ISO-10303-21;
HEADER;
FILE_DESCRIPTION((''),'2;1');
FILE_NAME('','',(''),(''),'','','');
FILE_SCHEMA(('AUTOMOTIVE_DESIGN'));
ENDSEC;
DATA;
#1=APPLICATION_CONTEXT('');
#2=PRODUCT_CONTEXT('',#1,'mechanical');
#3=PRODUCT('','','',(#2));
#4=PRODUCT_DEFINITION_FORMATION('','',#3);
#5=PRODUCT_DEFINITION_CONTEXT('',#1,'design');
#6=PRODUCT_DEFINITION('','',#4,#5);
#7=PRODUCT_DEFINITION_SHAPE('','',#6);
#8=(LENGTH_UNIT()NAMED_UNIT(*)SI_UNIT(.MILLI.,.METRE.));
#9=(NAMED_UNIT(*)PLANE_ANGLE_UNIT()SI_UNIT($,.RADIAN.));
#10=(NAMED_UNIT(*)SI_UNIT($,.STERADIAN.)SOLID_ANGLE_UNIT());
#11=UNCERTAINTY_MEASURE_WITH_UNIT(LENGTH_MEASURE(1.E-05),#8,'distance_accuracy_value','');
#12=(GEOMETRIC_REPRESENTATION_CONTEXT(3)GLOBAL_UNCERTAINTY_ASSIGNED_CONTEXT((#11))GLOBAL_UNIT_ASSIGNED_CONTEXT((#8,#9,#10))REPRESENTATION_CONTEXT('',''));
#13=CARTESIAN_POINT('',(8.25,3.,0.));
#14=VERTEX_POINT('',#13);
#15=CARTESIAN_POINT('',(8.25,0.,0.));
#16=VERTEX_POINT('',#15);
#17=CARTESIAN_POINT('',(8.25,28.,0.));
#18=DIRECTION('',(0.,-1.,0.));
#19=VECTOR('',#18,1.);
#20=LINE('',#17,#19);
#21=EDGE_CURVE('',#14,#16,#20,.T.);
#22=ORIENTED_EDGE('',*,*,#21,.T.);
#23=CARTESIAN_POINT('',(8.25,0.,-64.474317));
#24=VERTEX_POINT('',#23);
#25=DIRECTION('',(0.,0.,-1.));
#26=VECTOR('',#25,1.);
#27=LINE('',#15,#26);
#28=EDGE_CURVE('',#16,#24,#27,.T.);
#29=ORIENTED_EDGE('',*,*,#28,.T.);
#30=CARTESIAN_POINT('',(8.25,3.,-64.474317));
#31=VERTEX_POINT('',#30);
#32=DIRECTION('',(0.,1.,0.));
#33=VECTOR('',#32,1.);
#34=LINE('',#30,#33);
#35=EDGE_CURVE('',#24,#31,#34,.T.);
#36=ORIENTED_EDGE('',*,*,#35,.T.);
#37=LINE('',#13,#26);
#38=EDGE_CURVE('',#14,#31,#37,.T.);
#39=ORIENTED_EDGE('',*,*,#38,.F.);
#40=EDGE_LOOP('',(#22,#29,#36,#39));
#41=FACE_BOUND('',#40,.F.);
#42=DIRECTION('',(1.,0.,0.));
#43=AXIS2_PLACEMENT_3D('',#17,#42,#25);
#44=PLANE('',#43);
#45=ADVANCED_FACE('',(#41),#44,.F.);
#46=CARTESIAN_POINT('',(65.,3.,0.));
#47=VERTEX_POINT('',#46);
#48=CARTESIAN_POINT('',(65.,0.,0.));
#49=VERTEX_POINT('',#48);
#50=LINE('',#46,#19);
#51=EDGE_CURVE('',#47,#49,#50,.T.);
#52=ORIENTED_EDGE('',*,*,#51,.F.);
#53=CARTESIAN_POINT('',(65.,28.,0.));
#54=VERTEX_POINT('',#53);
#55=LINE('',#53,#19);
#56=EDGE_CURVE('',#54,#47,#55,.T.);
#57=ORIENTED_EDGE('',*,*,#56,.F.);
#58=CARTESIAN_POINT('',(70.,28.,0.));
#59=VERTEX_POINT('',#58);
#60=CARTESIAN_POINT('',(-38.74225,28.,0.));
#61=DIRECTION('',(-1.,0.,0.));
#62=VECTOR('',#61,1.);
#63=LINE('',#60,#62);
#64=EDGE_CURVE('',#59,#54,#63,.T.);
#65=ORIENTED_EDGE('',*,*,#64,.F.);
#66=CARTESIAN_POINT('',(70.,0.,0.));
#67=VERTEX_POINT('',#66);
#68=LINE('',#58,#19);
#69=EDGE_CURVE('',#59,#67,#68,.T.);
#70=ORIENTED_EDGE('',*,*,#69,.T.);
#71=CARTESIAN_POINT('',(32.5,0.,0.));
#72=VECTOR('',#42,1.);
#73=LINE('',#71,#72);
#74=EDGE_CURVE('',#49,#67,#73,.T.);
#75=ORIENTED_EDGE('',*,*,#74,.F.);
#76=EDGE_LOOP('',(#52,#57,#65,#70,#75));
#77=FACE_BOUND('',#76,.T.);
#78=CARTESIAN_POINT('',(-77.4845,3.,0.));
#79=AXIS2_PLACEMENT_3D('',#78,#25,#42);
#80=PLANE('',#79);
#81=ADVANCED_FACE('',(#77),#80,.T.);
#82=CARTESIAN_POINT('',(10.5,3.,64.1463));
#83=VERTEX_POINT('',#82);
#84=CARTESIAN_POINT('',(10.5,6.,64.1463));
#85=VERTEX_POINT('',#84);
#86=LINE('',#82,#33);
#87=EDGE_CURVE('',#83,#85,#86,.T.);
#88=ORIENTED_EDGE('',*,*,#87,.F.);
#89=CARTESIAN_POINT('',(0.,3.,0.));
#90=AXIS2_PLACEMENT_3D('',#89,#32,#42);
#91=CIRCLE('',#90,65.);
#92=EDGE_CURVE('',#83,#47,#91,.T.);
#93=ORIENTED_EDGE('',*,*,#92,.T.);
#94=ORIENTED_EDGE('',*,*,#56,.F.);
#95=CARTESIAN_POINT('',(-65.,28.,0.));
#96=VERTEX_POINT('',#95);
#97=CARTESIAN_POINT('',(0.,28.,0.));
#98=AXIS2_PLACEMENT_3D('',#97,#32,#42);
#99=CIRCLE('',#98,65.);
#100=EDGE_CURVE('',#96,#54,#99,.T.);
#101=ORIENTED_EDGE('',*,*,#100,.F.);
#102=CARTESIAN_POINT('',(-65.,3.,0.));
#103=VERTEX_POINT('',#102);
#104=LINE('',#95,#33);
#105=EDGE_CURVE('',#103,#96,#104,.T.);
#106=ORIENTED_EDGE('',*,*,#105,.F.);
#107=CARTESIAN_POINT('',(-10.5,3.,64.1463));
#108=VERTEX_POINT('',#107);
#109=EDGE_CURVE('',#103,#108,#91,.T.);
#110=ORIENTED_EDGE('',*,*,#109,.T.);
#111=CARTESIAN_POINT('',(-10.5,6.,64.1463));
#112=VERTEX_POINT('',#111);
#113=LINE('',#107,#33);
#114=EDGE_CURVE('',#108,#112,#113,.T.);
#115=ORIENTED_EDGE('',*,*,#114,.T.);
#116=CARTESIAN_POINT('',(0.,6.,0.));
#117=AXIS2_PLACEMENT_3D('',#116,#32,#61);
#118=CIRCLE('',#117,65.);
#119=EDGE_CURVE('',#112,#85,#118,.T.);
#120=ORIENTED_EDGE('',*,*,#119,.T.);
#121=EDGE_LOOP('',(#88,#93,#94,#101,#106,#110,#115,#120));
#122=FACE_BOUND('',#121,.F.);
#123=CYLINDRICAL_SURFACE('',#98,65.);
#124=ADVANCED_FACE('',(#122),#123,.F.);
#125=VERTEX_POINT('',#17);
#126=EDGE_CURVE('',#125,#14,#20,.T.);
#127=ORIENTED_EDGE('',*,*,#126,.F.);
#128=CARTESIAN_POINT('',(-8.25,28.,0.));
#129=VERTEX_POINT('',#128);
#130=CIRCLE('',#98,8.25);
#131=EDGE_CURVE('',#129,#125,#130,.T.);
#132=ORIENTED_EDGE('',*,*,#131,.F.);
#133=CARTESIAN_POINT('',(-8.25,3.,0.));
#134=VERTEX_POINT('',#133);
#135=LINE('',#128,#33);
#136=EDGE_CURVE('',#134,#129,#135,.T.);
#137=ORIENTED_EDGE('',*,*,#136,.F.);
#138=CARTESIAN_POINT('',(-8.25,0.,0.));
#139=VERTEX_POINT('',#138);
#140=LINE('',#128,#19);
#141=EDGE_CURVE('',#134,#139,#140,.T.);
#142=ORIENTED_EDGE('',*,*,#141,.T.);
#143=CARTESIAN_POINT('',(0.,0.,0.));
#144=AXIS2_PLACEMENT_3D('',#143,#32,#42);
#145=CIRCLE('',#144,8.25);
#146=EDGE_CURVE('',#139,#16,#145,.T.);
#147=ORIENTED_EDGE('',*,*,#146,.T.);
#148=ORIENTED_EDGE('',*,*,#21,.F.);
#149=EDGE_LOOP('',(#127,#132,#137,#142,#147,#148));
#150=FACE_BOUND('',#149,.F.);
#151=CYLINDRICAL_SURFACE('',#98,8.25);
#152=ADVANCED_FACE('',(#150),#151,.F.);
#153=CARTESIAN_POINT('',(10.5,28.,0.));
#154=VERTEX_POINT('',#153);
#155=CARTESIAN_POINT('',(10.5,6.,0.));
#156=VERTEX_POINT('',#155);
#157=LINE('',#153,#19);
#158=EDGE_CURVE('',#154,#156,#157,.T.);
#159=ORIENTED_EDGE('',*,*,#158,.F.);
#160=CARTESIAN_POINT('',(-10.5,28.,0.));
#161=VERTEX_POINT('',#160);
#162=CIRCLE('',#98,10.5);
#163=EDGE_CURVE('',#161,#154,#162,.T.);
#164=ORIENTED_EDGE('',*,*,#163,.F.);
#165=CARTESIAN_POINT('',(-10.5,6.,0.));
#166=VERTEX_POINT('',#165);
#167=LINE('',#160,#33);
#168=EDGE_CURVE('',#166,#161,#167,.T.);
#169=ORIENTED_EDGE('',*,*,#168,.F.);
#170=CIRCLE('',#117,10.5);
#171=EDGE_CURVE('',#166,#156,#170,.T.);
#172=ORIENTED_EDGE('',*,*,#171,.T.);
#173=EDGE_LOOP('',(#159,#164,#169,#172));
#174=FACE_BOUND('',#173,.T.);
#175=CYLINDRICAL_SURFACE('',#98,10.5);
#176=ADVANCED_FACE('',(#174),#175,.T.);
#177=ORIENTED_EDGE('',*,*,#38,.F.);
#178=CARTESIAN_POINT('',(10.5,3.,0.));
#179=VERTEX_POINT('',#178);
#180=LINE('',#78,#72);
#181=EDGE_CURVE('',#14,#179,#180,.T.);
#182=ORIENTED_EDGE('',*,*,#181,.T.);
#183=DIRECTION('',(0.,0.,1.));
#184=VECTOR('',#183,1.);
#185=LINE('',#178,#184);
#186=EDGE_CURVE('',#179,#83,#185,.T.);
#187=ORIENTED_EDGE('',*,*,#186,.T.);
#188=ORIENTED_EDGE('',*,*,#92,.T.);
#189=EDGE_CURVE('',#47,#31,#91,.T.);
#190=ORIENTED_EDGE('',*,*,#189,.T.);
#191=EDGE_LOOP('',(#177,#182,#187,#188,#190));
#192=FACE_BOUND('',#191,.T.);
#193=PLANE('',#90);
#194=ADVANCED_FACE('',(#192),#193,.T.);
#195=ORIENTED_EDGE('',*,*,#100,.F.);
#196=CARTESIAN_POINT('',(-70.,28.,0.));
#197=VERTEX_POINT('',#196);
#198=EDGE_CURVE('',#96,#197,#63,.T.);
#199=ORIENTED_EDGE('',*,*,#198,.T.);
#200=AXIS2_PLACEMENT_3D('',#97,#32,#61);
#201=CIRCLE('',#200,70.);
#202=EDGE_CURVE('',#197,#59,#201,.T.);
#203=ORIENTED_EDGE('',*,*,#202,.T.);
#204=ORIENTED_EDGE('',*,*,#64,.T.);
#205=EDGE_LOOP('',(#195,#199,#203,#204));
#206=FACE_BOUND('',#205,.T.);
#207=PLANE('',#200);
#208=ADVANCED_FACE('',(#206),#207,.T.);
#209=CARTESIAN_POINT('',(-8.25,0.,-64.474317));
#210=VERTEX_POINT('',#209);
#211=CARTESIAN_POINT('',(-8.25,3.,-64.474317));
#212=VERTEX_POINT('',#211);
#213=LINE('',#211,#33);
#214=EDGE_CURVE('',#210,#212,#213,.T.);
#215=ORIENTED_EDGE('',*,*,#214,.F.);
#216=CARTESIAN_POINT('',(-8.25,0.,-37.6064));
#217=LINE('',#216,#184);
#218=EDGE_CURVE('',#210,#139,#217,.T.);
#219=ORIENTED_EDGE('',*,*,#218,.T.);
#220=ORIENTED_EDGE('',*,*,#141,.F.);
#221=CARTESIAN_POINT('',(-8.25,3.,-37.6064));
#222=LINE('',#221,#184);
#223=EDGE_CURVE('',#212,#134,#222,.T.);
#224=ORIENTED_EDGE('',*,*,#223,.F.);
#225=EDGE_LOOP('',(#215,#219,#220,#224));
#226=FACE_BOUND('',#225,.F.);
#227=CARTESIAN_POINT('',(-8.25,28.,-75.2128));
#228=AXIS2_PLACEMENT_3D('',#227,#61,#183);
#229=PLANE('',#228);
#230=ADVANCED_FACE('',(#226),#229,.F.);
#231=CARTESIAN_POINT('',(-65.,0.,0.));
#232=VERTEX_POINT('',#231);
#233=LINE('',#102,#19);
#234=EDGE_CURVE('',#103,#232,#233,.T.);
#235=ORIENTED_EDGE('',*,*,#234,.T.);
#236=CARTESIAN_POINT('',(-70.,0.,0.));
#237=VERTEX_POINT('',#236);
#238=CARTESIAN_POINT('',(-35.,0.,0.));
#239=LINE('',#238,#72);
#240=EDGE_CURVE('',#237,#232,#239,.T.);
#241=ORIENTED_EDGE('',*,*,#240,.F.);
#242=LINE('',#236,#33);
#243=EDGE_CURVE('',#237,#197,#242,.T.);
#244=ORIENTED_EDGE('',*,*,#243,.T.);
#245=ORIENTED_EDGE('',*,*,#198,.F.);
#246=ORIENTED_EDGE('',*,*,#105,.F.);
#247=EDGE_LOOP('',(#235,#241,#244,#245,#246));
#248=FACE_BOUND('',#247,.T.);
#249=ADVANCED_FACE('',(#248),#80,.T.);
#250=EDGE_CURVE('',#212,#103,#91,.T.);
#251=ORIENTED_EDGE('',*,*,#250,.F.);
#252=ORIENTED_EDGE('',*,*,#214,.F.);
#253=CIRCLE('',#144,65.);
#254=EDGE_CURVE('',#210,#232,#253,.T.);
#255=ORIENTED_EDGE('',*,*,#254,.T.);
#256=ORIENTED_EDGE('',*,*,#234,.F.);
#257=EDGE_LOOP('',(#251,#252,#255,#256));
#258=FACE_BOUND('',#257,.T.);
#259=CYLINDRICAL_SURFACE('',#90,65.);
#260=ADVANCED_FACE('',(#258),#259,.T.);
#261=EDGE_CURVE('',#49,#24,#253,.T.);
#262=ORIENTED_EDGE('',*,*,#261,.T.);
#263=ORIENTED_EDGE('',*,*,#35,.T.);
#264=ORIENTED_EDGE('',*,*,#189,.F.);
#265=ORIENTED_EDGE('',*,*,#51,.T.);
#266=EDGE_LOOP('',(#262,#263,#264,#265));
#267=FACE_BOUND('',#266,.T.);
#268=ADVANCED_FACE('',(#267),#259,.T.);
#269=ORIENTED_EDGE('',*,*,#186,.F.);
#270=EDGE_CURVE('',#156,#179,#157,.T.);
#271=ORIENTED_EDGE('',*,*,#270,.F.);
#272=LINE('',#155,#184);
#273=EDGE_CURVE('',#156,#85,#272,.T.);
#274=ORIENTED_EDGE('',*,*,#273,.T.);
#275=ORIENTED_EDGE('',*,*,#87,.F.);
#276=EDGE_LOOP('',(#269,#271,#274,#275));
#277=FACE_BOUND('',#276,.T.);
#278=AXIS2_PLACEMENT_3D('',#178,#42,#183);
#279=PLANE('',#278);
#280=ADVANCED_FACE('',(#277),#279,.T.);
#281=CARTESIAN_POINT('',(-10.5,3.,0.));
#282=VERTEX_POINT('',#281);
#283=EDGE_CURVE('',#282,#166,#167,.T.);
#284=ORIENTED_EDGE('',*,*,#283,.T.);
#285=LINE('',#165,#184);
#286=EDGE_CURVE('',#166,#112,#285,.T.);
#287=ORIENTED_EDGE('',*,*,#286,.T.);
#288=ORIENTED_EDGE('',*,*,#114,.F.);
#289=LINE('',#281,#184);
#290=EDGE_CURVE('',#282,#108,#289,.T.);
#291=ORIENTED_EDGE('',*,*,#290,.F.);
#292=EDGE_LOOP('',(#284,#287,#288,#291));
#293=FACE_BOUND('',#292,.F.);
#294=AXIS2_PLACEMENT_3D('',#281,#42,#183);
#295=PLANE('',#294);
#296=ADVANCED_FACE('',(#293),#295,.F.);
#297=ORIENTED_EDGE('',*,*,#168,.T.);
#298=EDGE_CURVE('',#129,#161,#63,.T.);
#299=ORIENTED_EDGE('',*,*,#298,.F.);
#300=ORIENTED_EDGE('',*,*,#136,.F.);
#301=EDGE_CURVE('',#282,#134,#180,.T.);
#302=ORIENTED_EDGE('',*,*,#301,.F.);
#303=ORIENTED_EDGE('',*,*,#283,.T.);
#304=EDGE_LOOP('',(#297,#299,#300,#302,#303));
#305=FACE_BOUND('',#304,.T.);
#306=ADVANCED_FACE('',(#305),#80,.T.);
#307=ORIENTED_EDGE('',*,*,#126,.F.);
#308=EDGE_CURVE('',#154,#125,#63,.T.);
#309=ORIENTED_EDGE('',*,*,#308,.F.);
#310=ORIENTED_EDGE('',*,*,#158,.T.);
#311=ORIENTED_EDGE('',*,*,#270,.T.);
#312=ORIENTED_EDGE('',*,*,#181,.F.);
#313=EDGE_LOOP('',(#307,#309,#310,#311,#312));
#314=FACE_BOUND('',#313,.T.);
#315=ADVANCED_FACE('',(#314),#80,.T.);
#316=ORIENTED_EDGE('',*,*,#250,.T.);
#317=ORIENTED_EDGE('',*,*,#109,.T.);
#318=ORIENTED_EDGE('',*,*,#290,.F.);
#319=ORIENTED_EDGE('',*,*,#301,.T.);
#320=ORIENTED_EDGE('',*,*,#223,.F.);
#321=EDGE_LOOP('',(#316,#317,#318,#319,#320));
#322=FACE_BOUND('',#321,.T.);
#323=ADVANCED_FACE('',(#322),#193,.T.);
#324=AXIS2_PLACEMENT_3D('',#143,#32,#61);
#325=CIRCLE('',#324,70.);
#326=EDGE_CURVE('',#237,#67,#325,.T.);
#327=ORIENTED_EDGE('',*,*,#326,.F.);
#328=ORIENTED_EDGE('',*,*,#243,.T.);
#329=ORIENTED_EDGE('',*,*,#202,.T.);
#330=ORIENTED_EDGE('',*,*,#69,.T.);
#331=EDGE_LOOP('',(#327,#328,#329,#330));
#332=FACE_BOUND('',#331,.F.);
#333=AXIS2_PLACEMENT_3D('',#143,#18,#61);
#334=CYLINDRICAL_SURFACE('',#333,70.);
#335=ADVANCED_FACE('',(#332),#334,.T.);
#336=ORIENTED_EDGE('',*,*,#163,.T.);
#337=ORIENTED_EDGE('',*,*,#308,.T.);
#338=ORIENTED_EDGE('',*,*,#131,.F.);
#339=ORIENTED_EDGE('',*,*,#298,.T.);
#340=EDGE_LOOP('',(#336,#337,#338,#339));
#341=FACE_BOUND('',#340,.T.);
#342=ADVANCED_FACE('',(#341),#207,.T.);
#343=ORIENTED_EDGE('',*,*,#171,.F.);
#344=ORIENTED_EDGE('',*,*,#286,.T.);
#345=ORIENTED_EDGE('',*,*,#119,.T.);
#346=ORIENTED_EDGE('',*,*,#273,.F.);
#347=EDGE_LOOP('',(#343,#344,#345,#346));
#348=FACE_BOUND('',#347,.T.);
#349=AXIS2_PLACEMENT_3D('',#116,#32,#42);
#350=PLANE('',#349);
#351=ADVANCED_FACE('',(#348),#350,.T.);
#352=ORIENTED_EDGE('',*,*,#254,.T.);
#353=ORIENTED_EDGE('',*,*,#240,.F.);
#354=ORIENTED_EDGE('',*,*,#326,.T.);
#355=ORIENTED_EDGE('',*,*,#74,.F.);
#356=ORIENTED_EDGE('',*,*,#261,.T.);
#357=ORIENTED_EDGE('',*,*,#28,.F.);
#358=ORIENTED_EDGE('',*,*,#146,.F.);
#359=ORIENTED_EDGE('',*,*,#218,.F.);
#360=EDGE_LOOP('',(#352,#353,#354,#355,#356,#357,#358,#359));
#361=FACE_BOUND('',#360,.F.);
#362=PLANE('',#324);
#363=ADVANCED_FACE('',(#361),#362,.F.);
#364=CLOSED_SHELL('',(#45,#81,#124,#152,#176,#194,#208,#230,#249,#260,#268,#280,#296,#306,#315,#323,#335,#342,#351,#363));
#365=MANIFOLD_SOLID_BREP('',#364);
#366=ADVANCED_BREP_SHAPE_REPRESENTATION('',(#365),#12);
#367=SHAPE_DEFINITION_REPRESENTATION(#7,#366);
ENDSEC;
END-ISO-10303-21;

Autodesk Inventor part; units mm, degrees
ref_plane "YZ Plane" through (0, 0, 0) normal (1, 0, 0) x (0, 1, 0)
ref_plane "XZ Plane" through (0, 0, 0) normal (0, 1, 0) x (-1, 0, 0)
ref_plane "XY Plane" through (0, 0, 0) normal (0, 0, 1) x (1, 0, 0)
sketch "Sketch1" plane through (0, 0, 0) normal (0, 1, 0) x (-1, 0, 0)
  circle A0 centre (0, 0) radius 70
  dimension "d0" = 140
extrude "Extrusion1" add sketch "Sketch1" along normal blind 28
sketch "Sketch2" plane through (0, 28, 0) normal (0, 1, 0) x (1, 0, 0)
  circle A0 centre (0, 0) radius 8.25
  dimension "d3" = 16.5
extrude "Extrusion2" cut sketch "Sketch2" against normal blind 28
sketch "Sketch3" plane through (0, 28, 0) normal (0, 1, 0) x (1, 0, 0)
  circle A0 centre (0, 0) radius 8.25
  circle A1 centre (0, 0) radius 65
  circle A2 centre (0, 0) radius 10.5
  dimension "d6" = 130
  dimension "d7" = 21
extrude "Extrusion3" cut sketch "Sketch3" against normal blind 25 contours A1
sketch "Sketch4" plane through (0, 3, 0) normal (0, 1, 0) x (1, 0, 0)
  line L0 (-77.4845, 0) -> (88.5537, 0)
  line L1 (88.5537, 0) -> (88.5537, 100.8261)
  line L2 (88.5537, 100.8261) -> (-77.4845, 100.8261)
  line L3 (-77.4845, 100.8261) -> (-77.4845, 0)
  point P0 (0, 0)
  point P1 (0, 0)
extrude "Extrusion4" cut sketch "Sketch4" along normal blind 220
sketch "Sketch5" plane through (0, 3, 0) normal (0, 1, 0) x (1, 0, 0)
  arc A0 (-10.5, 0) -> (10.5, 0) centre (0, 0) ccw projected
  arc A1 (-65, 0) -> (65, 0) centre (0, 0) ccw projected
  arc A2 (-10.5, 0) -> (10.5, 0) centre (0, 0) ccw projected
  line L0 (10.5, 0) -> (10.5, -64.1463)
  line L1 (-10.5, 0) -> (-10.5, -64.1463)
  arc A3 (-10.5, -64.1463) -> (10.5, -64.1463) centre (0, 0) ccw
  arc A4 (-10.5, 0) -> (10.5, 0) centre (0, 0) ccw
extrude "Extrusion5" add sketch "Sketch5" along normal blind 3
sketch "Sketch6" plane through (0, 28, 0) normal (0, 1, 0) x (1, 0, 0)
  line L0 (-8.25, 0) -> (-10.5, 0) projected
  line L1 (-8.25, 0) -> (8.25, 0)
  line L2 (8.25, 0) -> (8.25, 75.2128)
  line L3 (8.25, 75.2128) -> (-8.25, 75.2128)
  line L4 (-8.25, 75.2128) -> (-8.25, 0)
  point P0 (0, 0)
  dimension "d14" = 16.5
extrude "Extrusion6" cut sketch "Sketch6" against normal blind 30
sketch "Sketch8" plane through (0, 3, 0) normal (0, 1, 0) x (1, 0, 0)
  arc A0 (-65, 0) -> (65, 0) centre (0, 0) ccw
  line L0 (65, 0) -> (70, 0)
  arc A1 (70, 0) -> (-70, 0) centre (0, 0) ccw
  line L1 (-70, 0) -> (-65, 0)
  arc A2 (-10.5, 0) -> (10.5, 0) centre (0, 0) ccw
  line L2 (-10.5, 0) -> (-8.25, 0)
  arc A3 (8.25, 0) -> (-8.25, 0) centre (0, 0) ccw
  line L3 (8.25, 0) -> (10.5, 0)
  circle A4 centre (0, 0) radius 8.25
  arc A5 (65, 0) -> (-65, 0) centre (0, 0) ccw
  line L4 (-65, 0) -> (-70, 0)
  line L5 (65, 0) -> (70, 0)
  arc A6 (70, 0) -> (-70, 0) centre (0, 0) ccw
  arc A7 (70, 0) -> (70, 0) centre (0, 0) ccw
extrude "Extrusion7" cut sketch "Sketch8" against normal blind 30 contours L1 A1 L0 A5
properties part number "casept2"
